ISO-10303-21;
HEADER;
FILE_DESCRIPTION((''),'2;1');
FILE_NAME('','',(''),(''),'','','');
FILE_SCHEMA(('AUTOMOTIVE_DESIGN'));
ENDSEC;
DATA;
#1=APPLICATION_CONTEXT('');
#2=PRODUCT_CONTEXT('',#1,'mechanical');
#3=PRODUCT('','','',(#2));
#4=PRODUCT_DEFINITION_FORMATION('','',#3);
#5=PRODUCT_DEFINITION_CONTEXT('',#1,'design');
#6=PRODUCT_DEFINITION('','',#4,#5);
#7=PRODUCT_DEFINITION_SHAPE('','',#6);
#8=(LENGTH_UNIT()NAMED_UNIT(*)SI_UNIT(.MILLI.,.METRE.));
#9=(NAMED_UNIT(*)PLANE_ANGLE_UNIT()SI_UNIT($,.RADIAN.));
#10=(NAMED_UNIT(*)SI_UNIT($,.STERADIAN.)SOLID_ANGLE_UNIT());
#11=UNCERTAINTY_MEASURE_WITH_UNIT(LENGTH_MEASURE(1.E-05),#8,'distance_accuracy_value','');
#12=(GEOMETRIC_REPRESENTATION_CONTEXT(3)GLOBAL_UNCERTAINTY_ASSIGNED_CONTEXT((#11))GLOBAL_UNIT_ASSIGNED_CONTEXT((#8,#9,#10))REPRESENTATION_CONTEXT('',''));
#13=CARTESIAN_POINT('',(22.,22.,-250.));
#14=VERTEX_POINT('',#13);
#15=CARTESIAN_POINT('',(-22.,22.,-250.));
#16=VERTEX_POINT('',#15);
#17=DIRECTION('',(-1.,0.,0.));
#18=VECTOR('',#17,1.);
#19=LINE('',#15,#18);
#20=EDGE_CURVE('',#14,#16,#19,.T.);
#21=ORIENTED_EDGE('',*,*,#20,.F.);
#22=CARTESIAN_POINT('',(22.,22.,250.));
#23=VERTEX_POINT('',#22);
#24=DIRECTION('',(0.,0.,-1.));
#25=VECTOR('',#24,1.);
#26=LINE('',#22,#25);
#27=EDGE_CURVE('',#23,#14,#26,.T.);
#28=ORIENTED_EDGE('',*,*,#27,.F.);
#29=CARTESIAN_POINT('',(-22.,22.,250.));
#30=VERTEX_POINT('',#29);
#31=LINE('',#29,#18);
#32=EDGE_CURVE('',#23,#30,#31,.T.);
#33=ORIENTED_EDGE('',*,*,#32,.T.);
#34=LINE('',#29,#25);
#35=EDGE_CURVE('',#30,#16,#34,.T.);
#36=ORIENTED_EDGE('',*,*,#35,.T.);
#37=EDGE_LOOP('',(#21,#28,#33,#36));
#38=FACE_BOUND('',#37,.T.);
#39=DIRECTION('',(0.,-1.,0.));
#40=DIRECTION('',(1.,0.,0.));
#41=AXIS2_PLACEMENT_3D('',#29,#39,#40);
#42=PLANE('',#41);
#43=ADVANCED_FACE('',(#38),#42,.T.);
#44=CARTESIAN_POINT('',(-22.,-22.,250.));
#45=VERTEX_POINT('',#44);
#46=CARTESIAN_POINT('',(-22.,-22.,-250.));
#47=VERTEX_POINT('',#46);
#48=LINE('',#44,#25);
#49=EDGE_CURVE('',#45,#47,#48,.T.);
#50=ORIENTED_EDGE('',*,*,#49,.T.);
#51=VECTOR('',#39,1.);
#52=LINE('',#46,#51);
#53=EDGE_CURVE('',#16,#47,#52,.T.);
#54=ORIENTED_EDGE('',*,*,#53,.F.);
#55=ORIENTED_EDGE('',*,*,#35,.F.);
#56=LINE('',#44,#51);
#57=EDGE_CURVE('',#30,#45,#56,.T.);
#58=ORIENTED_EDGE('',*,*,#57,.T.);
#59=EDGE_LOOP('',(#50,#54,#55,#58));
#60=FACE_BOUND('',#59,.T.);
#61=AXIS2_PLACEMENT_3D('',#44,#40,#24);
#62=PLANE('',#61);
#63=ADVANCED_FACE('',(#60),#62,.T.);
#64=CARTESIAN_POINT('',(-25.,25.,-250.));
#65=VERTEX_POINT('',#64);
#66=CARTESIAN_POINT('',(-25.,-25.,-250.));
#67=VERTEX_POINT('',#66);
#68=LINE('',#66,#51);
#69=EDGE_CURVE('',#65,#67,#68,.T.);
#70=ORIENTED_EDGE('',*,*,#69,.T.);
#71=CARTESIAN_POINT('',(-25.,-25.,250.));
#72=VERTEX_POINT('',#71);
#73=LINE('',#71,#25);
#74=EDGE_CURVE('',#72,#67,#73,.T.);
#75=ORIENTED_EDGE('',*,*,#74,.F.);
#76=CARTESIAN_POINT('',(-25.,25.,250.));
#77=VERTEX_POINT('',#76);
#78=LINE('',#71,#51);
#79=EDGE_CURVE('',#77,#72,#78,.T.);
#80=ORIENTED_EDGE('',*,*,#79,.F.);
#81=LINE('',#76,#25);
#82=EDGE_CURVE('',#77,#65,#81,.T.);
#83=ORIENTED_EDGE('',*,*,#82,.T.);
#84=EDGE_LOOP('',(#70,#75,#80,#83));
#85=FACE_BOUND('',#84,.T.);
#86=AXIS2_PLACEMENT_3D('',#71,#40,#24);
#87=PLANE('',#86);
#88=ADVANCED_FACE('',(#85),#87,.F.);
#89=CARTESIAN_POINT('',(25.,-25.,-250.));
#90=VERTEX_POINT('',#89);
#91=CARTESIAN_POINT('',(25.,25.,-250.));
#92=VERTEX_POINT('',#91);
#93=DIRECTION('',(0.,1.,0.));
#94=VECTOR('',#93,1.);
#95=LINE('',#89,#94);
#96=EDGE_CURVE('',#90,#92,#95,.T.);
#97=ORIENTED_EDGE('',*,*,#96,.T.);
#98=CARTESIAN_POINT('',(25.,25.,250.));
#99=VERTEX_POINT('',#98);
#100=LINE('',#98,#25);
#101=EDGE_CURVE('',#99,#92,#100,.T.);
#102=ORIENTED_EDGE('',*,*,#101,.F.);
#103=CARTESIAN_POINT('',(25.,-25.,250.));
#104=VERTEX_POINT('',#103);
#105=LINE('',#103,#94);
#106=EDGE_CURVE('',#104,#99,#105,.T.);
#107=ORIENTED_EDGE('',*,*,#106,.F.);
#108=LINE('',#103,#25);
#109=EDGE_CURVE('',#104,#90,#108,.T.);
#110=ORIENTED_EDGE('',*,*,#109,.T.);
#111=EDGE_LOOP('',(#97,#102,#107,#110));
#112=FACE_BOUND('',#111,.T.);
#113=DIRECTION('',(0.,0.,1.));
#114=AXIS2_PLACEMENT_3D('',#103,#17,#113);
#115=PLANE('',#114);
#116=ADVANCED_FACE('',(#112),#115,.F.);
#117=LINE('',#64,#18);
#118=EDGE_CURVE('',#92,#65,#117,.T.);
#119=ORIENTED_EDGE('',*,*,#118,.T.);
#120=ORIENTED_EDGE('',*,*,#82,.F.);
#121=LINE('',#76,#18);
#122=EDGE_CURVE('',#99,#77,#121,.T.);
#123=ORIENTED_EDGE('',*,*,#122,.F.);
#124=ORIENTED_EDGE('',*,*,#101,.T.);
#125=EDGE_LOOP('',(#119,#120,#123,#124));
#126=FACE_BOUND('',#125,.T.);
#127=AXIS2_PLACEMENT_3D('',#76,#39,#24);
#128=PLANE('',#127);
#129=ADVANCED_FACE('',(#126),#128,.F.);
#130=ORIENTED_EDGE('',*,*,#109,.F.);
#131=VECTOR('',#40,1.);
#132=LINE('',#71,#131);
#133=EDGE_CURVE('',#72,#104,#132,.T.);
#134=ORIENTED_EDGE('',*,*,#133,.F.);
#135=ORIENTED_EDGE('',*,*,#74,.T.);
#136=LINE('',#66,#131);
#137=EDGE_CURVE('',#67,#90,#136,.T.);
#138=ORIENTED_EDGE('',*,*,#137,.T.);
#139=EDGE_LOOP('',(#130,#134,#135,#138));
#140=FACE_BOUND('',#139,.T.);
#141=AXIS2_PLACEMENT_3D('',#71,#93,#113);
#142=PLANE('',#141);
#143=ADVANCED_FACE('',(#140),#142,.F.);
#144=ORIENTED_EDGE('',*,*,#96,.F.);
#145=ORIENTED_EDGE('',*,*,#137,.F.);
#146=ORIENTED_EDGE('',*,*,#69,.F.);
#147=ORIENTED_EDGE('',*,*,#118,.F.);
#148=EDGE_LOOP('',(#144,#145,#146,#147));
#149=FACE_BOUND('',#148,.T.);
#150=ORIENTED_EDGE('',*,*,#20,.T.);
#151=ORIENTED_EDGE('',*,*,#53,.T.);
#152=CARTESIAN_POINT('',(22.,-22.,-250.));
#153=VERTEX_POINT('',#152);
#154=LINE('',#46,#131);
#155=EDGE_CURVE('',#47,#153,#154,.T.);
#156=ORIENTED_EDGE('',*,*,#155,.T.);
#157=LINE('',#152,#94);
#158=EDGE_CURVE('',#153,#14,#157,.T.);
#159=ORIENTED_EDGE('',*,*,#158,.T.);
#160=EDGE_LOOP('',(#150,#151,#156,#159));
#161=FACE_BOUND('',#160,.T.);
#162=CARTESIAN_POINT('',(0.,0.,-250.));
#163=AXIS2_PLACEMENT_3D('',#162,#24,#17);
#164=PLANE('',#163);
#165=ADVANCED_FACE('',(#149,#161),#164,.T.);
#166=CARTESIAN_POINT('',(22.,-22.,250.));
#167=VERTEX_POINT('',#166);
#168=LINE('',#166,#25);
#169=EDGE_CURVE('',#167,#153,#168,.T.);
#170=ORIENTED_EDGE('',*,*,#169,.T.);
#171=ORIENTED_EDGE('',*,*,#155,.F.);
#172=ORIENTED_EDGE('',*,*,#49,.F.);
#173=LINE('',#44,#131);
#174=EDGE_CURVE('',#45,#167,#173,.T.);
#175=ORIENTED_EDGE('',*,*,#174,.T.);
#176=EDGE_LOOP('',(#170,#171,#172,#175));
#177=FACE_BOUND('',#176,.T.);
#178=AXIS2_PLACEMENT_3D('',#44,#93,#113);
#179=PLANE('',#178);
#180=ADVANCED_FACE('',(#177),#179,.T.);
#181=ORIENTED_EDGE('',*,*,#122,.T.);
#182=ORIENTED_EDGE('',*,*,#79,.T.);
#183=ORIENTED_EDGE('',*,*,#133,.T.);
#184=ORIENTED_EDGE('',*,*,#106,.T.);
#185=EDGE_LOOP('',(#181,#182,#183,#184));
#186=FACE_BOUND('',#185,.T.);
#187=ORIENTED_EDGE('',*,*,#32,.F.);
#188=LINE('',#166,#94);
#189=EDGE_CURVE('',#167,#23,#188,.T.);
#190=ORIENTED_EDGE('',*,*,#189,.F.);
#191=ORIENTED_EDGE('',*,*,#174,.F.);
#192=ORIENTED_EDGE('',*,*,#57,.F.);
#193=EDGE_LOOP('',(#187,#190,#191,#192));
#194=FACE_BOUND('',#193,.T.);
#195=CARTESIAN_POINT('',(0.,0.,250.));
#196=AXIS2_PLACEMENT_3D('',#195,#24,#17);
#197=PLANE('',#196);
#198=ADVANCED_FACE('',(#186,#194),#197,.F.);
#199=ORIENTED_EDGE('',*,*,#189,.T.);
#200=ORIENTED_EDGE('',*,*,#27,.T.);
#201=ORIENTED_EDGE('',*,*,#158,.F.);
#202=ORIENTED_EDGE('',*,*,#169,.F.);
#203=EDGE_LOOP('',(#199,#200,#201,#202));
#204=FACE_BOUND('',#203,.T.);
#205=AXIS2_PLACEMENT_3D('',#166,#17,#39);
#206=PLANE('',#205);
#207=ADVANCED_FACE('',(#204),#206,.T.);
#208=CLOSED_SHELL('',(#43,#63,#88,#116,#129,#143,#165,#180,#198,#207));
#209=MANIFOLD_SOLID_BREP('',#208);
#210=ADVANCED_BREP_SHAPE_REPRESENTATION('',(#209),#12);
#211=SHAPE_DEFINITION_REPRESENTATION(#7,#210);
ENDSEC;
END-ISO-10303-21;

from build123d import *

# Parameters (mm, degrees)
SKETCH_1_W      = 50
SKETCH_1_H      = 50
SKETCH_1_W_2    = 44
SKETCH_1_H_2    = 44
EXTRUDE_1_DEPTH = 250


with BuildPart() as part:
    # 草图1 → 凸台-拉伸1 (new, symmetric)
    with BuildSketch(Plane.XY):
        Rectangle(SKETCH_1_W, SKETCH_1_H)
        Rectangle(SKETCH_1_W_2, SKETCH_1_H_2, mode=Mode.SUBTRACT)
    extrude(amount=EXTRUDE_1_DEPTH, both=True)


solid = part.part
